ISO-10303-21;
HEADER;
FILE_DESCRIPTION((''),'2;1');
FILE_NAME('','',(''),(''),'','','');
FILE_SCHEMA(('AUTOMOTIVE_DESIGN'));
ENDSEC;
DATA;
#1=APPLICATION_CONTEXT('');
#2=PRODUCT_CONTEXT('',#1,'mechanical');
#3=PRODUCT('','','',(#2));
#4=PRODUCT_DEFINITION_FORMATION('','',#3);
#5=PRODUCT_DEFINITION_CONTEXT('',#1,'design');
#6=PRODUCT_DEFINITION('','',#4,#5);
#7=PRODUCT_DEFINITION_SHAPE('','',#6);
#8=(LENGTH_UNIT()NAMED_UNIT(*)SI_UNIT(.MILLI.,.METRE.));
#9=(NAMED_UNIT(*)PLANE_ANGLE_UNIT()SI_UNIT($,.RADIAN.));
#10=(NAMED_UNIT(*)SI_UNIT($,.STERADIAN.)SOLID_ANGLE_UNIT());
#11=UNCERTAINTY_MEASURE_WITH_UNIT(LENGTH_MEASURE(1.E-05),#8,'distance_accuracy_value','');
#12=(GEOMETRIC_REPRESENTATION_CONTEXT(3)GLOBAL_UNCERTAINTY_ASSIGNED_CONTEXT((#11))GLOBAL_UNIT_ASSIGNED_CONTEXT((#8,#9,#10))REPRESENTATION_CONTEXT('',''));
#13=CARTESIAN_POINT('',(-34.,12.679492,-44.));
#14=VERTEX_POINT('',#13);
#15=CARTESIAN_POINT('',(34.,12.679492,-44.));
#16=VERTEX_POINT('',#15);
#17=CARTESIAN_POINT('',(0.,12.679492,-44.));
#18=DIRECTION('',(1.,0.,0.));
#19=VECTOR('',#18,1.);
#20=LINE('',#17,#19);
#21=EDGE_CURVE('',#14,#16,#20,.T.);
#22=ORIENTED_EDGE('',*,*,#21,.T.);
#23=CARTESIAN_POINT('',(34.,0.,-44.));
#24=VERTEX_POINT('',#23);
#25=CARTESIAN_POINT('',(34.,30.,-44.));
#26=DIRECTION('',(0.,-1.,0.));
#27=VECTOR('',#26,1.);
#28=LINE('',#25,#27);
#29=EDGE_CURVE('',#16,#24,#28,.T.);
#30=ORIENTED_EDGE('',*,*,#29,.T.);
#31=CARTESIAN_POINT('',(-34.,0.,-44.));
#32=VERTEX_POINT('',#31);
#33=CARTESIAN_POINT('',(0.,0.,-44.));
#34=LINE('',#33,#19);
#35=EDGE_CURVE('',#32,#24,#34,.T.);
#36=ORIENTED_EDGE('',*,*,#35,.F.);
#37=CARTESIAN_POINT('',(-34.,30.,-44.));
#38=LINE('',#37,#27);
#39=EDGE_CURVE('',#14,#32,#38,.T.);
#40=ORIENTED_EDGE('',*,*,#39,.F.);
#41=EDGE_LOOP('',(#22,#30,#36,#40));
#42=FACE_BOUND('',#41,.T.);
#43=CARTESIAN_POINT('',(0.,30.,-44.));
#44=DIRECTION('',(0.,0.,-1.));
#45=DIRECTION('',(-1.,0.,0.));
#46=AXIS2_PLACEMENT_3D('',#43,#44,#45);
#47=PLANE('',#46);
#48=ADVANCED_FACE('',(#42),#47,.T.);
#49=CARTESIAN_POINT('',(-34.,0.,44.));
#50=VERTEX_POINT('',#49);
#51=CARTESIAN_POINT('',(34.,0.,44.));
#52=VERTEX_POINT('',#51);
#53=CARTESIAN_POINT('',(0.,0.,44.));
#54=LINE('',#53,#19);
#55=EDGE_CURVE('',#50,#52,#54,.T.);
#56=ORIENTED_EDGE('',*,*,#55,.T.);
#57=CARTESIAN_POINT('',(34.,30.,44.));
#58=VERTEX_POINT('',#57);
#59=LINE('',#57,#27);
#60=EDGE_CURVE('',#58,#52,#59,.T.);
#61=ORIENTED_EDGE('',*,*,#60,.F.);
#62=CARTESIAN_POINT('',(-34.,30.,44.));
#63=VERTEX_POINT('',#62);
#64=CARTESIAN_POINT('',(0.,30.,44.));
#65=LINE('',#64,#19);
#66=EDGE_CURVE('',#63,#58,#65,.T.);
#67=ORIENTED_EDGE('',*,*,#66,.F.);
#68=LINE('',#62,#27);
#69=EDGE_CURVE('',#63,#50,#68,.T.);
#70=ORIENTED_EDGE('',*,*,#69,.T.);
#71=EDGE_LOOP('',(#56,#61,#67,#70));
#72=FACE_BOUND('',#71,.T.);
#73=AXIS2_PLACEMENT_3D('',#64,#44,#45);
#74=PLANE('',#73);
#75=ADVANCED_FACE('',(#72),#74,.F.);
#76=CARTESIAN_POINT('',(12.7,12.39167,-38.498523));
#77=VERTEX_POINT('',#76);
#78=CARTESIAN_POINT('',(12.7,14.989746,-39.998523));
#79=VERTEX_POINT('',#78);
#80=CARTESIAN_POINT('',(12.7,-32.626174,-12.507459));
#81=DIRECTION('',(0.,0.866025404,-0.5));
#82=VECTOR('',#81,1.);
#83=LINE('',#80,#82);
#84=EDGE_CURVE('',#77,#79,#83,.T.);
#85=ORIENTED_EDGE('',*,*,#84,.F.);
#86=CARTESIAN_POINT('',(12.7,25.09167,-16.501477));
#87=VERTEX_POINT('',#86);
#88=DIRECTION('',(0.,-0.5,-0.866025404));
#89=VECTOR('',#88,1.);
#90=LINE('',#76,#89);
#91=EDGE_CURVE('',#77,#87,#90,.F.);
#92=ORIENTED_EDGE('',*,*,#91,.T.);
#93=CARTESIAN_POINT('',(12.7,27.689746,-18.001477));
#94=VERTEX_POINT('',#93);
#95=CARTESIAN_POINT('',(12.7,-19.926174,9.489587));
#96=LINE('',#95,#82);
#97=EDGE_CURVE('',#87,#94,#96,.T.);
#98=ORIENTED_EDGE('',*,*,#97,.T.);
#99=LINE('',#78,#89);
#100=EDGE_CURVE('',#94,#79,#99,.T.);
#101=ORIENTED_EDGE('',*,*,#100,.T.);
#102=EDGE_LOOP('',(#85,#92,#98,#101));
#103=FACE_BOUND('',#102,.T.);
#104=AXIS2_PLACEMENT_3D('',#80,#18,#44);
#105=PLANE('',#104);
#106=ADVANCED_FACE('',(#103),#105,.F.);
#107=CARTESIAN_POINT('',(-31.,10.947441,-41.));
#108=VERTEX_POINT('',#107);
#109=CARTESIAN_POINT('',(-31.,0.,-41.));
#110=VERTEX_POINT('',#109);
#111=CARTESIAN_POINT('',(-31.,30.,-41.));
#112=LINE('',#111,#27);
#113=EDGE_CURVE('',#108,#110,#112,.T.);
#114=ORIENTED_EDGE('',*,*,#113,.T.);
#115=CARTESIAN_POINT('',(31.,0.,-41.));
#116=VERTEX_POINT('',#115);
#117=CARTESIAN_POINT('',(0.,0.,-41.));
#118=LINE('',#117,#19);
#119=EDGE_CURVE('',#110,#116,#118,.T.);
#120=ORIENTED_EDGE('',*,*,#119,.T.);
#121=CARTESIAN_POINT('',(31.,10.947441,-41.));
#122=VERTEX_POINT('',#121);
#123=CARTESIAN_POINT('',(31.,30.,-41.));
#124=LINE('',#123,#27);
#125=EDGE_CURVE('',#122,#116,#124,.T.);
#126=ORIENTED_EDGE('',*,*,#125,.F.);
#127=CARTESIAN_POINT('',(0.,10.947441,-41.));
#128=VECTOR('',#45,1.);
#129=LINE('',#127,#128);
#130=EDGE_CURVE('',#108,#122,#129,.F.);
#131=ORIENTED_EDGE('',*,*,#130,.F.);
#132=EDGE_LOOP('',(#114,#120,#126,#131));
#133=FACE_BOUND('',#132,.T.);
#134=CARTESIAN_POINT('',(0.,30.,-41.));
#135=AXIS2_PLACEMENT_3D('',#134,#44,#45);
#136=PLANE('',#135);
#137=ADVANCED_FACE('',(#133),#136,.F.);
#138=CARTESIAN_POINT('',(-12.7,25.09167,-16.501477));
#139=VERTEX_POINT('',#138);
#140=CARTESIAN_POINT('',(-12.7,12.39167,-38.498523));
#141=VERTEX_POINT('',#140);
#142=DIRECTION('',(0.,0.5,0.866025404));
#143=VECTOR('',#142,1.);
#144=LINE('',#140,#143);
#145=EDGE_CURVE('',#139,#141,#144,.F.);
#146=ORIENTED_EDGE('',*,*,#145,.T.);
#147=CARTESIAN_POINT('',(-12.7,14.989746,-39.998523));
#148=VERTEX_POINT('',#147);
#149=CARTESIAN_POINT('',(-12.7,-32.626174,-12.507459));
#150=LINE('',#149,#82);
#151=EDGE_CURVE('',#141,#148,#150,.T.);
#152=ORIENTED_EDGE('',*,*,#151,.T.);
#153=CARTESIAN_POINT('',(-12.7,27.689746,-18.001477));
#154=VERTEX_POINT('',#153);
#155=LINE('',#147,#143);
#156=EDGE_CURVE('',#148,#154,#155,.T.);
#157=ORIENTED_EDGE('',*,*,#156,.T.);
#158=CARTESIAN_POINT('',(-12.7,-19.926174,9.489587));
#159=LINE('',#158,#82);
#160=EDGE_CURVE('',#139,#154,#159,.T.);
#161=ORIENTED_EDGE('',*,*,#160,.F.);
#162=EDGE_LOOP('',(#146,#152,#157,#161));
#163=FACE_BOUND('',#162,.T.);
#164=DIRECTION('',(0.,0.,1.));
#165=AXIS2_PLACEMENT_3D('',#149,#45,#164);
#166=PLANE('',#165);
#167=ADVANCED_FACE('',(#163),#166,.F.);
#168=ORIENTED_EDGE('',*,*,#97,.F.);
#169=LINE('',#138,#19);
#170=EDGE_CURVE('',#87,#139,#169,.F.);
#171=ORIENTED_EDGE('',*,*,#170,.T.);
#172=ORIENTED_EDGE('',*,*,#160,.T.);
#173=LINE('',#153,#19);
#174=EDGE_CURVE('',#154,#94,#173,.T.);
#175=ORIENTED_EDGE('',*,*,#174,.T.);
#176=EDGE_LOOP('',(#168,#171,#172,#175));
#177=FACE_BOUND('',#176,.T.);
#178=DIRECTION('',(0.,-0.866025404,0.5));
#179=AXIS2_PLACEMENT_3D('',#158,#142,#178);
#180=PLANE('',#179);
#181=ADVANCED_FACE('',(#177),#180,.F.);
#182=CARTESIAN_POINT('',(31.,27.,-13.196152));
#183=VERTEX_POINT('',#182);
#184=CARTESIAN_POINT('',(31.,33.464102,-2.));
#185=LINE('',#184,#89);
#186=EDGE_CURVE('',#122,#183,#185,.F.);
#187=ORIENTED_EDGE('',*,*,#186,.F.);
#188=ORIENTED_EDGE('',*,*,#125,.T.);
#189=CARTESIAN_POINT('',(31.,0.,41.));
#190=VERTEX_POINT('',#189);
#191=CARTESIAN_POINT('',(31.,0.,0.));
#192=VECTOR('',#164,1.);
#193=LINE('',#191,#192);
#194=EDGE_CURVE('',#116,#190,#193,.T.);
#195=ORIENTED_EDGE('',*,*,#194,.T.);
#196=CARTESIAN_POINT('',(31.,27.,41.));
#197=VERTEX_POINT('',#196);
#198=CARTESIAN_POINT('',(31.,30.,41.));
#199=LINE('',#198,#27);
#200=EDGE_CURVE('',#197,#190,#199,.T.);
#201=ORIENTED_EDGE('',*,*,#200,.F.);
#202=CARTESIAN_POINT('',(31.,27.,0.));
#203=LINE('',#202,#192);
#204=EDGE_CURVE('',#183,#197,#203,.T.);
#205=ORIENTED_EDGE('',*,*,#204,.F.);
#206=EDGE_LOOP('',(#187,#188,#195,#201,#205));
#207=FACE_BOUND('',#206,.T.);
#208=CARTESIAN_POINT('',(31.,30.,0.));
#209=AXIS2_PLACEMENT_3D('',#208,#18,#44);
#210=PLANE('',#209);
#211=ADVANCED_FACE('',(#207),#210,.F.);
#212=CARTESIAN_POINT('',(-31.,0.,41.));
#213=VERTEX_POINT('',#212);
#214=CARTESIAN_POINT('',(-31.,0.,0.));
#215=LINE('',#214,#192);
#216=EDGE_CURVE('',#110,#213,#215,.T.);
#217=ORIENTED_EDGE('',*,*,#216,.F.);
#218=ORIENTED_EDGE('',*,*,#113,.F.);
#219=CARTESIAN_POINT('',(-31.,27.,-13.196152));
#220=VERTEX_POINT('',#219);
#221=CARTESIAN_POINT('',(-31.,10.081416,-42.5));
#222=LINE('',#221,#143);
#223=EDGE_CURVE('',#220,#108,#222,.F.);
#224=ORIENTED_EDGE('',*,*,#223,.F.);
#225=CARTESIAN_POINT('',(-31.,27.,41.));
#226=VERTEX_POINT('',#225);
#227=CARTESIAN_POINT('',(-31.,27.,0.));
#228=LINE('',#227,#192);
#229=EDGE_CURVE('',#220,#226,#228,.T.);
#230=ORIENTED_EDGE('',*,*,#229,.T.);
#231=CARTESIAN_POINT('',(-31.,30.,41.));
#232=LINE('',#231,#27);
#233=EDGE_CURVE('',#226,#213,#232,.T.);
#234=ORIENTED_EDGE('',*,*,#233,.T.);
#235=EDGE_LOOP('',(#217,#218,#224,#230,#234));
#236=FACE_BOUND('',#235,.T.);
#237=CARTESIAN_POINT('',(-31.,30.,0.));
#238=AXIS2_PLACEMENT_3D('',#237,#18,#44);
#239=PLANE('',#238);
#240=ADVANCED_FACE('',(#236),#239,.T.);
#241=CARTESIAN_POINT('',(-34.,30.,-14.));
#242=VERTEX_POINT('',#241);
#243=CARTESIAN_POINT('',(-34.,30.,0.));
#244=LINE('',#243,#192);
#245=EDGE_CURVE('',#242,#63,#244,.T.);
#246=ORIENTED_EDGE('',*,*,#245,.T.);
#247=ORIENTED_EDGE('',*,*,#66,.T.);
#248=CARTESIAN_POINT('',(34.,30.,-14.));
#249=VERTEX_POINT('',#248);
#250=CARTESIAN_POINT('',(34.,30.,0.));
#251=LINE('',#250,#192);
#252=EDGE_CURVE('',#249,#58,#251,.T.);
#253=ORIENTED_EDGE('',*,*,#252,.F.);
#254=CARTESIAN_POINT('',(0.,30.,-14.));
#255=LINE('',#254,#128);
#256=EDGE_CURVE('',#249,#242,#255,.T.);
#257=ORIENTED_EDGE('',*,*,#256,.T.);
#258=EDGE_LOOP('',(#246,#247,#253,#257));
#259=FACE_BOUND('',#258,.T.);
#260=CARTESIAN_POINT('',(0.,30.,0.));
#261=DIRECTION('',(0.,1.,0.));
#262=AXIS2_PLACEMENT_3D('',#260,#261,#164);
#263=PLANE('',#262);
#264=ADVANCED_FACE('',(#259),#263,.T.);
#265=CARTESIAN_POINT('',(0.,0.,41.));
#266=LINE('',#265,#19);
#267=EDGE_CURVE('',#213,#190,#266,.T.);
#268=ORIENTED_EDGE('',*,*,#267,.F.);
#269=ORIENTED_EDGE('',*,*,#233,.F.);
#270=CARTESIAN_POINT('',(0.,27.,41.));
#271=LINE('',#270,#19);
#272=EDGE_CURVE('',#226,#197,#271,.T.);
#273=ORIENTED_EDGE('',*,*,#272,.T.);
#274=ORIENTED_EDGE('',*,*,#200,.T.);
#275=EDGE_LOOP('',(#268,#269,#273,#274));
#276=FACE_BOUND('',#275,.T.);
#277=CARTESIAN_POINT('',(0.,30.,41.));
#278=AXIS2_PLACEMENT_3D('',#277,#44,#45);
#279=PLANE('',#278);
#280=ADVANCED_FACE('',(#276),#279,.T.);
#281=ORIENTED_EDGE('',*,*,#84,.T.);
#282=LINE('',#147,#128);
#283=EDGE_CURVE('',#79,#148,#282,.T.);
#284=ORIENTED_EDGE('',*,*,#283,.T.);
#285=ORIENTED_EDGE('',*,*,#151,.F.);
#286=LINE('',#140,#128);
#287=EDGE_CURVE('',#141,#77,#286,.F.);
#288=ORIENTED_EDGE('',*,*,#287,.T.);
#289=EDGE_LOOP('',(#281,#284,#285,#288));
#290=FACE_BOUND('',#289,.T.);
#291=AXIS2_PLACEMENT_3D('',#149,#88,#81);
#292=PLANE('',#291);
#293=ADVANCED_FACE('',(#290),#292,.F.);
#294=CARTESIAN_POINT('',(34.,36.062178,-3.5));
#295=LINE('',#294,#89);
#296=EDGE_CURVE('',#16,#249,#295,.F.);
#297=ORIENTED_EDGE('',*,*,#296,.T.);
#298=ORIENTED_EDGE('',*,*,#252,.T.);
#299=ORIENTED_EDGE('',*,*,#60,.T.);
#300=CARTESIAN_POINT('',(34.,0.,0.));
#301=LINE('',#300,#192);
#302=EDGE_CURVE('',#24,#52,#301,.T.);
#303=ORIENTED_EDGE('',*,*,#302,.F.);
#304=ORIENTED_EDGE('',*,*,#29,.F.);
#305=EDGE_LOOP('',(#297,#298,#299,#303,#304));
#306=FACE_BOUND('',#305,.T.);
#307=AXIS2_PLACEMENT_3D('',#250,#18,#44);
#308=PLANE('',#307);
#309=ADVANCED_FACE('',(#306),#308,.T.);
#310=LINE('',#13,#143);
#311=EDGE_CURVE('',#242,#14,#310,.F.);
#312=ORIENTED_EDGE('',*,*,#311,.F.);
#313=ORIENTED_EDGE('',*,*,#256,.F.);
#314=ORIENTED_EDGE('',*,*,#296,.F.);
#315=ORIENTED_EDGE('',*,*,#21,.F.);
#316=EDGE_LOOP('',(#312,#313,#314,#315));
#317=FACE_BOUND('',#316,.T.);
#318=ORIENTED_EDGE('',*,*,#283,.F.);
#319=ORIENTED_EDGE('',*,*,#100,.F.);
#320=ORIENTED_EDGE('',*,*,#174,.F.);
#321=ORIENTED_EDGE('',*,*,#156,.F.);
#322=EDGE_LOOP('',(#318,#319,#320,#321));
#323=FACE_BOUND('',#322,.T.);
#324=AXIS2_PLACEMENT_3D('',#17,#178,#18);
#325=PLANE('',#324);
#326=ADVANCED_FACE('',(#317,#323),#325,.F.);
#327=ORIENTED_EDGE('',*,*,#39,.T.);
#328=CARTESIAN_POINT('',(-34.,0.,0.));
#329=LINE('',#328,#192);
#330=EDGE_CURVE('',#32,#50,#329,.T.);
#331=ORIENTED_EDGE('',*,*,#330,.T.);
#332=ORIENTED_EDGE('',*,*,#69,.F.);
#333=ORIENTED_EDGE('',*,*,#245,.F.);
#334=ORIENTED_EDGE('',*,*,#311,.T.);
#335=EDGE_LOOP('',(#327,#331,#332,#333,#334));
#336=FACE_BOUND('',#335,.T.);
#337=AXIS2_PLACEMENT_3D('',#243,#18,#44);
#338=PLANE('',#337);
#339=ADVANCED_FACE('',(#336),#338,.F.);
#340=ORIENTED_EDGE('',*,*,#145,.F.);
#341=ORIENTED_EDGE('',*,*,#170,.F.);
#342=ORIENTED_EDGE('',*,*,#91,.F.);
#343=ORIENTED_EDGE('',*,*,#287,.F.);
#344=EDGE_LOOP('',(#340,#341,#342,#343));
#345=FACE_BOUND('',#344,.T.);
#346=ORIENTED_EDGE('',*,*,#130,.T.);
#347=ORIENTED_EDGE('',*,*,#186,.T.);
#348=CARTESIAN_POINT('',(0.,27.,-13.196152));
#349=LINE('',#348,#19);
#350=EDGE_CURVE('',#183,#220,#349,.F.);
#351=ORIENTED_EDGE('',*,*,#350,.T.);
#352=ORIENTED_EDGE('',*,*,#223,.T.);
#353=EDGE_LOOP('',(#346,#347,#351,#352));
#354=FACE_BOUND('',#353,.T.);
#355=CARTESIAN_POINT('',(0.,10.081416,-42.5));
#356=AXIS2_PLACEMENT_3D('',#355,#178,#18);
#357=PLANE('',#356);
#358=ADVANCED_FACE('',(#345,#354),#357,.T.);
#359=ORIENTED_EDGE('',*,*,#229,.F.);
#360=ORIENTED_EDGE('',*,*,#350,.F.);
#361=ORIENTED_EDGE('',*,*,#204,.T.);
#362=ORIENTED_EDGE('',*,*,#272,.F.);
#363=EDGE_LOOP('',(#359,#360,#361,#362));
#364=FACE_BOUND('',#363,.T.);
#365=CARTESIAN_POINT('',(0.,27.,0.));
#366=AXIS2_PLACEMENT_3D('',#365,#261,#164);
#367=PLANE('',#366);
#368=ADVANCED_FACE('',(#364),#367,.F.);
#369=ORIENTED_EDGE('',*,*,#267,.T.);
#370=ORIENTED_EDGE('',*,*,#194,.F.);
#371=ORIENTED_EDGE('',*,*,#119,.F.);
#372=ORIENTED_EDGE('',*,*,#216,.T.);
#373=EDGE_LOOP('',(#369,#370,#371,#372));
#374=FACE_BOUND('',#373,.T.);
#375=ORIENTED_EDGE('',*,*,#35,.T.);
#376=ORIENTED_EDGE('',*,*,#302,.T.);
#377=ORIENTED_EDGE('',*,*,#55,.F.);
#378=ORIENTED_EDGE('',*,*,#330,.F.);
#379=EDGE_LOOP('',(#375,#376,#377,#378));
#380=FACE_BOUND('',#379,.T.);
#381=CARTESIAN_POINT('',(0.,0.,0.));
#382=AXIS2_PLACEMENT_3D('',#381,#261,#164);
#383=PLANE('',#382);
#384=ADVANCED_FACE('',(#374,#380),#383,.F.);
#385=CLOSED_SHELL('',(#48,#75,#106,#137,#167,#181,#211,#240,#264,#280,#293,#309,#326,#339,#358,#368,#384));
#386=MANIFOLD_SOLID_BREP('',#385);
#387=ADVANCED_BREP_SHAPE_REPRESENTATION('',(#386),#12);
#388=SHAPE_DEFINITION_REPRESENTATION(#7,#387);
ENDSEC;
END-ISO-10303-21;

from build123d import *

# Parameters (mm, degrees)
SKETCH2_W           = 68
SKETCH2_H           = 88
SKETCH2_W_2         = 62
SKETCH2_H_2         = 82
BOSS_EXTRUDE1_DEPTH = 30
CHAMFER1_SIZE       = 30
CHAMFER1_SIZE2      = 17.320508076
SHELL1_T            = -3
CUT_EXTRUDE1_REACH  = 77.039
SKETCH3_W           = 25.4
SKETCH3_H           = 25.4


with BuildPart() as part:
    # Sketch2 → Boss-Extrude1 (new body)
    # profile 1 of 2: a face of its own
    with BuildSketch(Plane(origin=(0, 0, 0), x_dir=(1, 0, 0), z_dir=(0, 1, 0))):
        Rectangle(SKETCH2_W, SKETCH2_H)
        Rectangle(SKETCH2_W_2, SKETCH2_H_2, mode=Mode.SUBTRACT)
    # profile 2 of 2: a face of its own
    with BuildSketch(Plane(origin=(0, 0, 0), x_dir=(1, 0, 0), z_dir=(0, 1, 0))):
        Rectangle(SKETCH2_W_2, SKETCH2_H_2)
    extrude(amount=BOSS_EXTRUDE1_DEPTH)

    # Chamfer1
    chamfer1_edges = [part.edges().sort_by_distance(p)[0] for p in [
        (0, 30, -44),
    ]]
    chamfer1_side = [part.faces().sort_by_distance(p)[0] for p in [
        (0, 30, 0),
    ]]
    chamfer(chamfer1_edges, length=CHAMFER1_SIZE, length2=CHAMFER1_SIZE2, reference=chamfer1_side[0])

    # Shell1
    shell1_openings = [part.faces().sort_by_distance(p)[0] for p in [
        (0, 0, 0),
    ]]
    offset(amount=SHELL1_T, openings=shell1_openings, kind=Kind.INTERSECTION)

    # Sketch3 → Cut-Extrude1 (cut, up to next)
    with BuildSketch(Plane(origin=(0, 28.562177826, -16.490381057), x_dir=(1, 0, 0), z_dir=(0, 0.8660254037844398, -0.4999999999999982)), mode=Mode.PRIVATE) as cut_extrude1_sk1:
        with Locations((0, 14.444863729)):
            Rectangle(SKETCH3_W, SKETCH3_H)
    cut_extrude1_tool1 = extrude(cut_extrude1_sk1.sketch, amount=-CUT_EXTRUDE1_REACH, mode=Mode.PRIVATE) & part.part
    add(cut_extrude1_tool1.solids().sort_by_distance((0, 21.339746, -29))[0], mode=Mode.SUBTRACT)


solid = part.part
